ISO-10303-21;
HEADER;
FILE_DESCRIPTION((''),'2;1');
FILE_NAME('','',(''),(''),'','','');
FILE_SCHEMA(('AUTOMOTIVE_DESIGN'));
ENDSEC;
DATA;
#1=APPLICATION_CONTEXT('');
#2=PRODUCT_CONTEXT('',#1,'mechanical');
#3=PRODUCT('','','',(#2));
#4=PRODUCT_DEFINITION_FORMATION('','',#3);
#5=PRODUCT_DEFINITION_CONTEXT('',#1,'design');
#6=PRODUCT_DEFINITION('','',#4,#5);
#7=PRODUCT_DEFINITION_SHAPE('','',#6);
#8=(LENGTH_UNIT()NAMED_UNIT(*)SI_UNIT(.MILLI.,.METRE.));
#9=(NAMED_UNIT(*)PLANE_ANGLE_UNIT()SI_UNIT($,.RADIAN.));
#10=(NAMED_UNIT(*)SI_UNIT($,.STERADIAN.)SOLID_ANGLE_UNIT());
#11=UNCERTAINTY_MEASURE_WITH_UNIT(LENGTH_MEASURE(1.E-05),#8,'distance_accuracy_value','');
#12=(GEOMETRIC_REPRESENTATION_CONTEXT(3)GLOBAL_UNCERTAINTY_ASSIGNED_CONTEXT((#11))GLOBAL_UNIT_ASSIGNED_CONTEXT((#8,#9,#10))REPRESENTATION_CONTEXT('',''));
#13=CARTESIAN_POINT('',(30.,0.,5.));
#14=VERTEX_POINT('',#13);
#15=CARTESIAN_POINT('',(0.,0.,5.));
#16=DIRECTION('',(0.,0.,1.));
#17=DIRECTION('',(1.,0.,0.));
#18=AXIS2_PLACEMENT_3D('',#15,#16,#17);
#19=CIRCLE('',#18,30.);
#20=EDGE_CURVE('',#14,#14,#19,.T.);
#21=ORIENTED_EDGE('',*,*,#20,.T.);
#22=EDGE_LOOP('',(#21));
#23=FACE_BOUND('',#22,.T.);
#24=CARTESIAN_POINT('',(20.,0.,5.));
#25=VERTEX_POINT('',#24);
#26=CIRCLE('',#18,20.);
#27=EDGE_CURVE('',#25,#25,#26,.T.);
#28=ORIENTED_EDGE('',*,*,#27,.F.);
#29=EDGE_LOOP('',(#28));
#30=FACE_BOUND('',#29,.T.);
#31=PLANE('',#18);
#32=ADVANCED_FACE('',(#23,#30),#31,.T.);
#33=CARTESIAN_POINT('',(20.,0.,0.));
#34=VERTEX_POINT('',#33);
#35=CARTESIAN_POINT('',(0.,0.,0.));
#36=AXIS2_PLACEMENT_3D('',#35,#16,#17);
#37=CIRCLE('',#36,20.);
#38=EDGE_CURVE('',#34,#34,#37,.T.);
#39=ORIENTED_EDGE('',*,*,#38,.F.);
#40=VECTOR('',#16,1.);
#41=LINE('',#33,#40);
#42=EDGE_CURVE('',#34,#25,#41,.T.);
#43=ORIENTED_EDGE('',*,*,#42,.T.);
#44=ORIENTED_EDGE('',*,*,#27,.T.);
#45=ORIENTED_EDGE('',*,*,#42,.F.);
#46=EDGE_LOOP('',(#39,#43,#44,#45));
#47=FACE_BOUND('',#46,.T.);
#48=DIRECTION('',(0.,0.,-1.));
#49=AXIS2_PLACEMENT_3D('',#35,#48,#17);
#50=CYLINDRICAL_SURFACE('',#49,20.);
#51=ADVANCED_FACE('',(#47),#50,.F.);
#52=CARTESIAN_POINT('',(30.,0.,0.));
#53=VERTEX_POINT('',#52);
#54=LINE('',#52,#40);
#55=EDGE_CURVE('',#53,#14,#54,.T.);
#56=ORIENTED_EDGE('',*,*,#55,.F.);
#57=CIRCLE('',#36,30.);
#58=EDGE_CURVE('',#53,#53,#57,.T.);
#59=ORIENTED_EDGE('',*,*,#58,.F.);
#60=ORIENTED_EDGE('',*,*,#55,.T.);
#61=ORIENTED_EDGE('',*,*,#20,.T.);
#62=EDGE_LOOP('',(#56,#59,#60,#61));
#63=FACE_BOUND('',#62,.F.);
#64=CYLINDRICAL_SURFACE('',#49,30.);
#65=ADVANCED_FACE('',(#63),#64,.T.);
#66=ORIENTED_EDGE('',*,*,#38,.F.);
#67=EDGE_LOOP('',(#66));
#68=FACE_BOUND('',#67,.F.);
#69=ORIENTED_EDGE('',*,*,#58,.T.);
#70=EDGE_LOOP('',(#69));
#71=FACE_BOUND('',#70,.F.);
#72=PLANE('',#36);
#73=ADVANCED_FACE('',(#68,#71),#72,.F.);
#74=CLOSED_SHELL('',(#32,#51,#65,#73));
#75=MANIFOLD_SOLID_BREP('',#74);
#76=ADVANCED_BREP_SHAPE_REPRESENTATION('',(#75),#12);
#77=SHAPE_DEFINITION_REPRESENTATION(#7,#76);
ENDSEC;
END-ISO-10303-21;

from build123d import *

# Parameters (mm, degrees)
SKETCH008_R   = 30
SKETCH008_R_2 = 20
PAD007_DEPTH  = 5


with BuildPart() as part:
    # Sketch008 → Pad007 (new body)
    with BuildSketch(Plane.XY):
        Circle(SKETCH008_R)
        Circle(SKETCH008_R_2, mode=Mode.SUBTRACT)
    extrude(amount=PAD007_DEPTH)


solid = part.part
